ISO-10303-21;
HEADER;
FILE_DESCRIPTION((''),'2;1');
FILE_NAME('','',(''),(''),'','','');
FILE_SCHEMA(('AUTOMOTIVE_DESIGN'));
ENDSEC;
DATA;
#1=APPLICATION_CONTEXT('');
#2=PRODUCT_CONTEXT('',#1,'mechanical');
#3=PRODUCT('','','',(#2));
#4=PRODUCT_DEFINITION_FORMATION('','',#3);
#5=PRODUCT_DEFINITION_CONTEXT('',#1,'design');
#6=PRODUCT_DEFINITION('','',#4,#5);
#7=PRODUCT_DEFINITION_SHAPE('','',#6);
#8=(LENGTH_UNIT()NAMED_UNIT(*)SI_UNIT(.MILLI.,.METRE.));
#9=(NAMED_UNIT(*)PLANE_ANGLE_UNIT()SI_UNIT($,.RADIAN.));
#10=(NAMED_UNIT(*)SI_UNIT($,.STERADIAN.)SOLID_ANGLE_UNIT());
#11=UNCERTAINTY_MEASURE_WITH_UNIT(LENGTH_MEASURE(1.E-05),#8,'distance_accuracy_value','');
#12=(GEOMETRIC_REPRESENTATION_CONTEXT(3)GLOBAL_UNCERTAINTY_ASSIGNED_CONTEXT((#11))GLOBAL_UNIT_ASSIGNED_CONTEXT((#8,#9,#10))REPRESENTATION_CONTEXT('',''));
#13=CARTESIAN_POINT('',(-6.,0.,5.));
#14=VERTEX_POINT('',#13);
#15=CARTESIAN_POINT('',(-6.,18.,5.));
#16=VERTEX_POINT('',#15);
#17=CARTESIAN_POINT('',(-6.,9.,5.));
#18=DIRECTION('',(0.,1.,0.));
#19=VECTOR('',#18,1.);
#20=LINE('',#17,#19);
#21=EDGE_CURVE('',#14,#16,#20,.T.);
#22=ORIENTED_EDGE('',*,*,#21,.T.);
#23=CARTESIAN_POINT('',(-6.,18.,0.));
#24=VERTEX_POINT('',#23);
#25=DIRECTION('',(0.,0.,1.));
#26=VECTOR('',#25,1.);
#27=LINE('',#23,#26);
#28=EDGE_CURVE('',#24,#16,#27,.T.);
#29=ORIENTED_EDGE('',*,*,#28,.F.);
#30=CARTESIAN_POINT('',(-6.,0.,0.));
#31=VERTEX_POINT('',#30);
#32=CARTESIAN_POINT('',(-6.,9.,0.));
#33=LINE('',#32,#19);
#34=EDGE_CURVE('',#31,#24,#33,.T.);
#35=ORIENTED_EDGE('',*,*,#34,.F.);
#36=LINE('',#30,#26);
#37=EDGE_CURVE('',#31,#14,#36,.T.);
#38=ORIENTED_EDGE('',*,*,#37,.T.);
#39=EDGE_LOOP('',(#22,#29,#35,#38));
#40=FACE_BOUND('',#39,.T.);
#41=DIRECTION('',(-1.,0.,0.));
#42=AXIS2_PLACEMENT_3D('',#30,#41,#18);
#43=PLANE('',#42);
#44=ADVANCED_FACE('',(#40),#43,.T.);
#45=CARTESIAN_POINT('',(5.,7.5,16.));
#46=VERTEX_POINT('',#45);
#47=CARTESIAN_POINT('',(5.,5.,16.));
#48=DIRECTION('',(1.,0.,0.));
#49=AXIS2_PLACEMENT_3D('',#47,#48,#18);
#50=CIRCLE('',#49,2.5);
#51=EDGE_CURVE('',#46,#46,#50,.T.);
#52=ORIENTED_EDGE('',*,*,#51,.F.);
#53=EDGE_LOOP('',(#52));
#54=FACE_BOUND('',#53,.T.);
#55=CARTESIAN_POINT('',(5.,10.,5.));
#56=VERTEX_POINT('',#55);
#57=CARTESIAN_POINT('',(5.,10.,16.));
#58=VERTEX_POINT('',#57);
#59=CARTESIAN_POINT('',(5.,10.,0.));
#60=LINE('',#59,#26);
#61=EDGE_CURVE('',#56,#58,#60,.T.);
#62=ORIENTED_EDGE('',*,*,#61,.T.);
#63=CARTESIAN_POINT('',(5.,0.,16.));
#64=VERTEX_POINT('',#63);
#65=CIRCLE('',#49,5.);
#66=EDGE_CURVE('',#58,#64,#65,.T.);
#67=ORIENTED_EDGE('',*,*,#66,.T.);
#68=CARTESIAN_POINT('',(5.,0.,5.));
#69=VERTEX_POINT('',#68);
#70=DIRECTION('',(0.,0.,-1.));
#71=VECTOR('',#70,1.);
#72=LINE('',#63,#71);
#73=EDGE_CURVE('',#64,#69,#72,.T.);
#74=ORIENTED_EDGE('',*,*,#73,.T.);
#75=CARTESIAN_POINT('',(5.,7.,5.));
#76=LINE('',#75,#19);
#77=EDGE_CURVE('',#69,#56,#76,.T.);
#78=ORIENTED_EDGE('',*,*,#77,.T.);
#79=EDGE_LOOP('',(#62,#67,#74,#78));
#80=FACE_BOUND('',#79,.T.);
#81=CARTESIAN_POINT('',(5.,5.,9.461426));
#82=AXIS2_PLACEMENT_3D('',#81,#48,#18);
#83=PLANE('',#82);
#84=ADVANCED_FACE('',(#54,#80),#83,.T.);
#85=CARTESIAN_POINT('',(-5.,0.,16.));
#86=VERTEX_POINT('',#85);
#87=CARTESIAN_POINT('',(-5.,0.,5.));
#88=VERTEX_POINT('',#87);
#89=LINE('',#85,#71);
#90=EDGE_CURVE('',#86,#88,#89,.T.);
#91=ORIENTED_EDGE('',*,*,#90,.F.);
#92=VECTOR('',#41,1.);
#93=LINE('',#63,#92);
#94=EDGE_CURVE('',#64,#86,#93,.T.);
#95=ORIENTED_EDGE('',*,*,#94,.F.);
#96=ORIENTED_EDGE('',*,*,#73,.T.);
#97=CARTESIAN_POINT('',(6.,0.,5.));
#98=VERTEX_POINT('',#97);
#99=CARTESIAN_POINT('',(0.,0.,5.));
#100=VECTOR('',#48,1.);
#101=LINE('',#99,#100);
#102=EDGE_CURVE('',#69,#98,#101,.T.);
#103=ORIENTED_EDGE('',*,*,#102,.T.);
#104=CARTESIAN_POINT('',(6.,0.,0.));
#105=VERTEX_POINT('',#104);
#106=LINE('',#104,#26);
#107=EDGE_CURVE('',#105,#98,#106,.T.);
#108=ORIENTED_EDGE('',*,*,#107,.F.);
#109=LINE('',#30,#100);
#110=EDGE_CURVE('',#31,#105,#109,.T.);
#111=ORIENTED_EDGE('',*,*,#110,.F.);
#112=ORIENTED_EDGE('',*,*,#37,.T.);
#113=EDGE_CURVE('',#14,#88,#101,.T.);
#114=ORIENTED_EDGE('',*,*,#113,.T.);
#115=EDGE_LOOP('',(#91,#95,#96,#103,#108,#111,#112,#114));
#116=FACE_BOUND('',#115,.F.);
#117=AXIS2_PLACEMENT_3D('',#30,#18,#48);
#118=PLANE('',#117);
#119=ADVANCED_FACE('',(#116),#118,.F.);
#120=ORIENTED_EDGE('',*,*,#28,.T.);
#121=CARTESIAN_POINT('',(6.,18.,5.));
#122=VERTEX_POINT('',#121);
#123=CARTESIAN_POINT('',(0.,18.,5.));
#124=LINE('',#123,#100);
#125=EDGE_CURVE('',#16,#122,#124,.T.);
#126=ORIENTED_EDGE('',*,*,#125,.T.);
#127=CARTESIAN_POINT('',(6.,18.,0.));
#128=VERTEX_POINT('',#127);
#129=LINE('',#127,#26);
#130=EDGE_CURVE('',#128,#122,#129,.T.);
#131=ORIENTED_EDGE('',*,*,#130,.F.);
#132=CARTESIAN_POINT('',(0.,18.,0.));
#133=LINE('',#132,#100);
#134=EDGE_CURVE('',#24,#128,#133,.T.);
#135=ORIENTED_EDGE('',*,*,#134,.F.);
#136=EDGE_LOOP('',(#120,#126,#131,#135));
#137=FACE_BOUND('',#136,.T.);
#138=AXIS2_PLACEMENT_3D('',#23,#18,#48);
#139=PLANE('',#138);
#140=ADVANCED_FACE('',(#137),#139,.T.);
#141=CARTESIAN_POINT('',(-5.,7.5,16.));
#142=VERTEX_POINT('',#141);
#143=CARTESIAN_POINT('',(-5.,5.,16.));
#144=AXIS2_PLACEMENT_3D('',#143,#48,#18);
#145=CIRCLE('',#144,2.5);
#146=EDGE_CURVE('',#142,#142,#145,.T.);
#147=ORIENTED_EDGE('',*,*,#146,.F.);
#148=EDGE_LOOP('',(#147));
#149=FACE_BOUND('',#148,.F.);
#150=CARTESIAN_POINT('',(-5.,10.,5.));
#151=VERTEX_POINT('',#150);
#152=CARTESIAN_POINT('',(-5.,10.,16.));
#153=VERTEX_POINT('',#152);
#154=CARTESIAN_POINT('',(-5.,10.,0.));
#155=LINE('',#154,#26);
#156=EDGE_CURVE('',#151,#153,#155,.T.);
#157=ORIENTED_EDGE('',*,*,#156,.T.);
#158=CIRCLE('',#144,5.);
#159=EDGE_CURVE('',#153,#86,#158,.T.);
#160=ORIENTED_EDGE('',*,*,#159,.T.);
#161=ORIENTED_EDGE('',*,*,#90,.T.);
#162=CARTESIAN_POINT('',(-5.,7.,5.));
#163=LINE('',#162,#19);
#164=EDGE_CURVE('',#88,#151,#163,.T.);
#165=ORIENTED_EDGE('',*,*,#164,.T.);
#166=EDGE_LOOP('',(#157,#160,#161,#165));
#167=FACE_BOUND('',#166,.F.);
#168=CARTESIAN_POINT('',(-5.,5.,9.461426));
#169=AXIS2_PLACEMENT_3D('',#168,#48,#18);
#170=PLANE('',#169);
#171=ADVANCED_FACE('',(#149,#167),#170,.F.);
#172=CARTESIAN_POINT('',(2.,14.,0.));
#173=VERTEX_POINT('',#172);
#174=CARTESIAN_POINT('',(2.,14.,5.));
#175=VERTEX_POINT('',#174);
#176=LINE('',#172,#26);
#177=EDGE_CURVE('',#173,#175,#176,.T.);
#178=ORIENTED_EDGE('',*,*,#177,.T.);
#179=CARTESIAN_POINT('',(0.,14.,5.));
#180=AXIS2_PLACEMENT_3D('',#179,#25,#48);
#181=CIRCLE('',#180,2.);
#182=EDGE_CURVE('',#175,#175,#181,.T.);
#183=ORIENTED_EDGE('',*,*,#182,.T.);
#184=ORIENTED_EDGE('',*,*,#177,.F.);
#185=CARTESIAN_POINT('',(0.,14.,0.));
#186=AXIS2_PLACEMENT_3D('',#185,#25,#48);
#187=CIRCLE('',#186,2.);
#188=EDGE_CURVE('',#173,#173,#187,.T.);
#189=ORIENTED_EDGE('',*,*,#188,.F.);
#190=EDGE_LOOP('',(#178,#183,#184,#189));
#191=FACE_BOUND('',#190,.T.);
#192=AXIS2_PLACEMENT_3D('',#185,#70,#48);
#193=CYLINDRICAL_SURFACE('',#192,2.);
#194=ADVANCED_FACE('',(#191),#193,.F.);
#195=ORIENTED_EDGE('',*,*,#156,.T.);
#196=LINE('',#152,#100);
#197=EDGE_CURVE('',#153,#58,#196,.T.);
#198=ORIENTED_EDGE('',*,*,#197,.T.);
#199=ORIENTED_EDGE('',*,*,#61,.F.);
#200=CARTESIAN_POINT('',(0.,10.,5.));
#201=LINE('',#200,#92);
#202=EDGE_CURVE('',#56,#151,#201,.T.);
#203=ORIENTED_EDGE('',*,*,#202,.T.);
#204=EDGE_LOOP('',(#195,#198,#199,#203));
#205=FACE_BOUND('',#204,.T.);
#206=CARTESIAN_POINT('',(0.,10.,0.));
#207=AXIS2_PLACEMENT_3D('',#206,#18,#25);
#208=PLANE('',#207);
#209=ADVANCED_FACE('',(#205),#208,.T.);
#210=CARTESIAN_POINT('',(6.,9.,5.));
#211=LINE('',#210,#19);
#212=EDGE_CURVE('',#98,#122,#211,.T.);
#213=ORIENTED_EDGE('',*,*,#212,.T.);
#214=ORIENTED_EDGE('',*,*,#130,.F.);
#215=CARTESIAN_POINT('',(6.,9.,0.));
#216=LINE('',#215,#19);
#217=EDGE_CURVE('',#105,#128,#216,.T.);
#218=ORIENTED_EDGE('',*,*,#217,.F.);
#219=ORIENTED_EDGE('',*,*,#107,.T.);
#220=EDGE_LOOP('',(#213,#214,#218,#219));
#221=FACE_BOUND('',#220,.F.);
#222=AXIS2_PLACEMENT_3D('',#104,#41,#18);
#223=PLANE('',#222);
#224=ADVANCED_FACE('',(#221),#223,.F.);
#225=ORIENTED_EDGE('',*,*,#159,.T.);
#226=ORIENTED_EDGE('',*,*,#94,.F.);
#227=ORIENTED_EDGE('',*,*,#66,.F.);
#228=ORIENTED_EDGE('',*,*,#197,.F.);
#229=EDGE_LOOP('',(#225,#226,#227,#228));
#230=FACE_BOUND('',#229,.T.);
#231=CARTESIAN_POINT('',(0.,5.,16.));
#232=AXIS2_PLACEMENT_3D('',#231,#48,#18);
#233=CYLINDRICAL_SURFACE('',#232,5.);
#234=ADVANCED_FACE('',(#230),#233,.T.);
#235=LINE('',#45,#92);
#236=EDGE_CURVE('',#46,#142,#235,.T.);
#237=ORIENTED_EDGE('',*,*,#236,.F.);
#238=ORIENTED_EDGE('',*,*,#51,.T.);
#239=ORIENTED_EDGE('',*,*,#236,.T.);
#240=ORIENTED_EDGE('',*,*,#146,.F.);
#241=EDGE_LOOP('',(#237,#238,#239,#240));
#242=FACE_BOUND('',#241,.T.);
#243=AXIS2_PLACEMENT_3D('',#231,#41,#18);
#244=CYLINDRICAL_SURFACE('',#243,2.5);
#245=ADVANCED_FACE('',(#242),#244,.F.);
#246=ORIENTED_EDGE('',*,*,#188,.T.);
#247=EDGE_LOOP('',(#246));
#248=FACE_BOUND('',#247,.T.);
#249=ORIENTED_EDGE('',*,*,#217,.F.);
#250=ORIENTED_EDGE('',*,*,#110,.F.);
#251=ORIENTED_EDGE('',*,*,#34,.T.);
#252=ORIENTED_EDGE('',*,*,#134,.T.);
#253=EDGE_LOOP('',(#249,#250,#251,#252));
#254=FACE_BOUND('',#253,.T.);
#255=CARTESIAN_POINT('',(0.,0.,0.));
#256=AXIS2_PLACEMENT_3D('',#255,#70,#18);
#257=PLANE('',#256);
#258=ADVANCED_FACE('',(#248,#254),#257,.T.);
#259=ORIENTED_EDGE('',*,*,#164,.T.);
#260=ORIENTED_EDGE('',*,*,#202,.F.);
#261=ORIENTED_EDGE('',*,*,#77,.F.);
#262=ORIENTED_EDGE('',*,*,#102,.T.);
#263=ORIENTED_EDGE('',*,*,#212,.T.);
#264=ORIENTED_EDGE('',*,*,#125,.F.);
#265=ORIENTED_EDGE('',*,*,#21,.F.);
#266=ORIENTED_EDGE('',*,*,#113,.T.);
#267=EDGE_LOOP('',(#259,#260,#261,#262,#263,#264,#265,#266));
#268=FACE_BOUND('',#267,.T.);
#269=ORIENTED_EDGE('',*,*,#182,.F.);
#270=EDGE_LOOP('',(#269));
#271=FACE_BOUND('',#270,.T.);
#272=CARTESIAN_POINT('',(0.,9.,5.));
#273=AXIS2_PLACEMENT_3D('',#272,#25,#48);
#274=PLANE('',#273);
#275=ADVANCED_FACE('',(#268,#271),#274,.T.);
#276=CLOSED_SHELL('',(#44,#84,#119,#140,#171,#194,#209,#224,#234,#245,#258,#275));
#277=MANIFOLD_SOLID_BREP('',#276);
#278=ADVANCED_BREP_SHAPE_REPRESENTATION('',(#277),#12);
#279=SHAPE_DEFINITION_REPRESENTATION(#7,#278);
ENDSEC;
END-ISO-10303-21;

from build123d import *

# Parameters (mm, degrees)
SKETCH001_R  = 2.5
PAD001_DEPTH = 5
SKETCH_W     = 12
SKETCH_H     = 18
SKETCH_R     = 2
PAD_DEPTH    = 5


with BuildPart() as pad001:
    # Sketch001 → Pad001 (new body, symmetric)
    with BuildSketch(Plane.YZ):
        with BuildLine():
            Line((0, 0), (10, 0))
            Line((10, 0), (10, 16))
            ThreePointArc((10, 16), (5, 21), (0, 16))
            Line((0, 16), (0, 0))
        make_face()
        with Locations((5, 16)):
            Circle(SKETCH001_R, mode=Mode.SUBTRACT)
    extrude(amount=PAD001_DEPTH, both=True)


with BuildPart() as fusion:
    # Sketch → Pad (new body)
    with BuildSketch(Plane.XY):
        with Locations((0, 9)):
            Rectangle(SKETCH_W, SKETCH_H)
        with Locations((0, 14)):
            Circle(SKETCH_R, mode=Mode.SUBTRACT)
    extrude(amount=PAD_DEPTH)

    # Fusion: union Pad001
    add(pad001.part)


solid = fusion.part
